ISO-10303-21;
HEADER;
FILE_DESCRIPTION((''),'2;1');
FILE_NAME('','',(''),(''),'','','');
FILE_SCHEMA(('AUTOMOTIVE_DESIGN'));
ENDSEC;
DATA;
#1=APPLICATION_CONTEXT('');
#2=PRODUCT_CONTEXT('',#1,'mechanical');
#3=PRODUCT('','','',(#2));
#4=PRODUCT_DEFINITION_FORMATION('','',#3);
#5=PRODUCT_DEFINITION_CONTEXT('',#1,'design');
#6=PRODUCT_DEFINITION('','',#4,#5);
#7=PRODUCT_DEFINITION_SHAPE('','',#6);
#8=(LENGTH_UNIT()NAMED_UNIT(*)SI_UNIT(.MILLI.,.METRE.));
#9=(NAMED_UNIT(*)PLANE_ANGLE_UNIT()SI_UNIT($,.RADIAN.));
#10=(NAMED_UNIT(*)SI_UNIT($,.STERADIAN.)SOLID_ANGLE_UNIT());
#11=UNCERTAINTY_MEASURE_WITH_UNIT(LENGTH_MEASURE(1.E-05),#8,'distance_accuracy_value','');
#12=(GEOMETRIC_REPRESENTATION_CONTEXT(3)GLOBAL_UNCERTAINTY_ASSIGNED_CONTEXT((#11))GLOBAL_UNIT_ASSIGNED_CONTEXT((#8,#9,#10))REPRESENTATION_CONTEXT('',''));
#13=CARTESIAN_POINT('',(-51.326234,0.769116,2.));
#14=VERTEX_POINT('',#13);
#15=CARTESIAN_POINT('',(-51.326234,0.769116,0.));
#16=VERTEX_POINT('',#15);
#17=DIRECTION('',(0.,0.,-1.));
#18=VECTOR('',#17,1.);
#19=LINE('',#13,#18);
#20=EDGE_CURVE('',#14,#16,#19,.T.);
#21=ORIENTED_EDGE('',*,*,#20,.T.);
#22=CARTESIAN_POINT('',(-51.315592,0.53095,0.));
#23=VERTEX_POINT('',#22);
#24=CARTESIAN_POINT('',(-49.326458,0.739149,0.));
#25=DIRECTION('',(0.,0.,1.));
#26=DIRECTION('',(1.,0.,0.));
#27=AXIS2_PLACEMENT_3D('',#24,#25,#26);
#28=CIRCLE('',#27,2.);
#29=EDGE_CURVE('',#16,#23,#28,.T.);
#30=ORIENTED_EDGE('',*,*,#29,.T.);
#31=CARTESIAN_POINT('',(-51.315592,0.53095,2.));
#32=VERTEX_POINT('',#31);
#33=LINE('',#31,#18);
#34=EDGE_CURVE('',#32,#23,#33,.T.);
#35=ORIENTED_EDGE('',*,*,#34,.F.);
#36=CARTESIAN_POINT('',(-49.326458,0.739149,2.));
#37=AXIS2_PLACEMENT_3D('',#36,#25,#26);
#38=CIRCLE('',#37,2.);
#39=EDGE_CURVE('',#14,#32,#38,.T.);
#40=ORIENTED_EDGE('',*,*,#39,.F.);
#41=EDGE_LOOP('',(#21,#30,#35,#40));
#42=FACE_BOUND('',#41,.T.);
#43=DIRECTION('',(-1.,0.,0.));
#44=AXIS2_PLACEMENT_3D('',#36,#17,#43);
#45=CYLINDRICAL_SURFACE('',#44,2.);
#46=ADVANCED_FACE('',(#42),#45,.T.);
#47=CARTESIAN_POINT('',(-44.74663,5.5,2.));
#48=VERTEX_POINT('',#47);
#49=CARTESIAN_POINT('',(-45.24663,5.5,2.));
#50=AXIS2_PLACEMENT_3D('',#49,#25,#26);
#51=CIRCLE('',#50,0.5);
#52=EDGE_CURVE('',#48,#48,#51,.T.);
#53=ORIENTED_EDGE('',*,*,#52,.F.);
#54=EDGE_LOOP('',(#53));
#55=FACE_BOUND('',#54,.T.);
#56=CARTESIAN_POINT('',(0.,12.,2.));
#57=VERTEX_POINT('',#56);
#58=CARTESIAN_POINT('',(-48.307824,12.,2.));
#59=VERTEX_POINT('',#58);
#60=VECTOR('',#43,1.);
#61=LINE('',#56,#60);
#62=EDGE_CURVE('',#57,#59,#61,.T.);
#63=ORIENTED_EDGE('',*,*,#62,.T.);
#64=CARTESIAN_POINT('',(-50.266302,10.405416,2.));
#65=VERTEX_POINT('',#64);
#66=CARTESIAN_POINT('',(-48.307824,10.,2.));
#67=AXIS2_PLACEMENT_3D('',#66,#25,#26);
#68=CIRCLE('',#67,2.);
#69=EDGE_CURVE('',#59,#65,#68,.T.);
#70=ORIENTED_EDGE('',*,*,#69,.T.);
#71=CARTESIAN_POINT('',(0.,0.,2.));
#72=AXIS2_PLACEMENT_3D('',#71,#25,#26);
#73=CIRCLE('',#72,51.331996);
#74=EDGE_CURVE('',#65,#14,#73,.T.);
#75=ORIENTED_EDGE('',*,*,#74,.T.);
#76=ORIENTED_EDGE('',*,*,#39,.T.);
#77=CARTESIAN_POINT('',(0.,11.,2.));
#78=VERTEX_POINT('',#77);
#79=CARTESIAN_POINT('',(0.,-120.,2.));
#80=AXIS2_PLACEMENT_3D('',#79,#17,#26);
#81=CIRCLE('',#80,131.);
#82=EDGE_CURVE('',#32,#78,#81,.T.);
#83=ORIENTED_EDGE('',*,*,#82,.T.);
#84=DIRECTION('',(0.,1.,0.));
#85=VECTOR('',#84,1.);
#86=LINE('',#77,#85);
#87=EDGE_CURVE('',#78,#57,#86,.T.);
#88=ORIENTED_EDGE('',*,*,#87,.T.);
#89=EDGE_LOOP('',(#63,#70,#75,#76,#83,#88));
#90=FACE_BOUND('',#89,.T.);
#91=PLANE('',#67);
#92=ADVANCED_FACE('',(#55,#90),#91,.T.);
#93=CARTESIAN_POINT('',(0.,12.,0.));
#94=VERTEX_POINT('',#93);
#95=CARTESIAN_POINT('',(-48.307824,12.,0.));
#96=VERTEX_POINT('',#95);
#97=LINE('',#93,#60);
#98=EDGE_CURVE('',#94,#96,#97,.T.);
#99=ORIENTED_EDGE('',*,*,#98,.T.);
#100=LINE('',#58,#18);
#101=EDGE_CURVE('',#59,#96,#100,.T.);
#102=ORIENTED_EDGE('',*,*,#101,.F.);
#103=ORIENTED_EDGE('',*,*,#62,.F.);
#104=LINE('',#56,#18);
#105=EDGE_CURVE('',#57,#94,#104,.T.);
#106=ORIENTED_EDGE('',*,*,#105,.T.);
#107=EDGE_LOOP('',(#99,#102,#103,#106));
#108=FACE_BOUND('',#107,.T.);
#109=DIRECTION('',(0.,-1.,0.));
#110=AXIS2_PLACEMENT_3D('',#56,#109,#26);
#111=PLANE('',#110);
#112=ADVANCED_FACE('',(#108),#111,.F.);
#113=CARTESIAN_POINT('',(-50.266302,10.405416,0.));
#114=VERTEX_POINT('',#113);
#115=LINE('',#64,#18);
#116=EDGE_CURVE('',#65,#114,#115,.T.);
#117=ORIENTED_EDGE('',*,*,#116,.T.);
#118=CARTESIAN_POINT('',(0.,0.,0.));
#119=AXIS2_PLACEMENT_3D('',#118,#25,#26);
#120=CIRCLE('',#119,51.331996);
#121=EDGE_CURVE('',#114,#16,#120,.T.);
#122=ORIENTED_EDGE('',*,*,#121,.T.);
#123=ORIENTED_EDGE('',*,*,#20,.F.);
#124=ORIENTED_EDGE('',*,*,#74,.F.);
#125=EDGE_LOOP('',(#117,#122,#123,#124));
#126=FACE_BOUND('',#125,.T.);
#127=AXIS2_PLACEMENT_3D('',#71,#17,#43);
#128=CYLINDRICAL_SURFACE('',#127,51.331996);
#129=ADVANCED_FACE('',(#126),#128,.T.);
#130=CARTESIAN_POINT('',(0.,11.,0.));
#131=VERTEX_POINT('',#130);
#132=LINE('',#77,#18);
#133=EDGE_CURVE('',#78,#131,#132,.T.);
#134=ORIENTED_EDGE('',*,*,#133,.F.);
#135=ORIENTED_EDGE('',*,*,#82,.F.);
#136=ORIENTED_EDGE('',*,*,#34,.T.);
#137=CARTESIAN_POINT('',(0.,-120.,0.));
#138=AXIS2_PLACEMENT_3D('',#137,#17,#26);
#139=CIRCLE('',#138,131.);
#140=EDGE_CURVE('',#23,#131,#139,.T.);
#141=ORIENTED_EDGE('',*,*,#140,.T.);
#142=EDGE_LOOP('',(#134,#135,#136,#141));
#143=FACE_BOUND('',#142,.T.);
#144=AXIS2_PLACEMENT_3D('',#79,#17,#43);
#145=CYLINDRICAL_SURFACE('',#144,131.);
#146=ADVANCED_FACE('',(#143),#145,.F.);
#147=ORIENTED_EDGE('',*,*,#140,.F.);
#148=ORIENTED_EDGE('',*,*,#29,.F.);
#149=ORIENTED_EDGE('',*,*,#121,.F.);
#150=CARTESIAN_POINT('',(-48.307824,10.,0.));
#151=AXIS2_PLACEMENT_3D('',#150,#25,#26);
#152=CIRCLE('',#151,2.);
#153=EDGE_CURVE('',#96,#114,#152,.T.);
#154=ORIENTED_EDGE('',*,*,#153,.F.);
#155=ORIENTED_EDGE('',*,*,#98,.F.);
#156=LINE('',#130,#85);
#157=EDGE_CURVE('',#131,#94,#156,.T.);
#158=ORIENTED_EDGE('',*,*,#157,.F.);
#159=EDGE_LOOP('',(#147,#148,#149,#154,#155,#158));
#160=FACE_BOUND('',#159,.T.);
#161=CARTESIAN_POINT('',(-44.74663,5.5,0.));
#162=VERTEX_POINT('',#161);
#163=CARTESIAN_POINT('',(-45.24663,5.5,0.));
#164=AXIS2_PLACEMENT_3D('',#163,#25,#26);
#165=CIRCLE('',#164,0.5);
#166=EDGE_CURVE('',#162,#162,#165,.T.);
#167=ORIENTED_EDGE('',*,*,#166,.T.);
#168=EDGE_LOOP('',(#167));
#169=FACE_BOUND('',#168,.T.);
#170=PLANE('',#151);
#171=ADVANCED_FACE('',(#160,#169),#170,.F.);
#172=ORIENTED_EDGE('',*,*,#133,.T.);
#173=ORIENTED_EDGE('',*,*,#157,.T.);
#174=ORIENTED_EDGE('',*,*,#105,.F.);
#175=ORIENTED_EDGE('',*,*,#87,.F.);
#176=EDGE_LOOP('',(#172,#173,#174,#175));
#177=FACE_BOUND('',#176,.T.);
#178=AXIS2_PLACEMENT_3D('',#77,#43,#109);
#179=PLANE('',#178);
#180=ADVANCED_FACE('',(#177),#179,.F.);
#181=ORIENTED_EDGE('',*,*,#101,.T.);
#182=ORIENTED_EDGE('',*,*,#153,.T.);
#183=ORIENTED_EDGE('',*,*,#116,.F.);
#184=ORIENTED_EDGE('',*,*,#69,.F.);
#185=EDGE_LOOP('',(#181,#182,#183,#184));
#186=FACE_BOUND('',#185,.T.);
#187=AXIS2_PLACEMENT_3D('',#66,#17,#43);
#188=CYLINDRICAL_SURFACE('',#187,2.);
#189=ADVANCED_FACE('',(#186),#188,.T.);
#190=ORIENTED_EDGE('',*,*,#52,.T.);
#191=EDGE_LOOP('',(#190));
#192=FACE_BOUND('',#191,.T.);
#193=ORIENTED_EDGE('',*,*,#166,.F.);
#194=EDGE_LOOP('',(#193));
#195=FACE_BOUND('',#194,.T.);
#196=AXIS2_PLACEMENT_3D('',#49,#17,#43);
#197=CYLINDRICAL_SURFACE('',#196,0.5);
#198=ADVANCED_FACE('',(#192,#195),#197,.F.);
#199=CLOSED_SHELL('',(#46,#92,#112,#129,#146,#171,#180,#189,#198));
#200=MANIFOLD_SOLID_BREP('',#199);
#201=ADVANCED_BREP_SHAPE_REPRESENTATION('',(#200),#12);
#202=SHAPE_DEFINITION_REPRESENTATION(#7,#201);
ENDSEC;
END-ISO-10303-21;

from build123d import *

# Parameters (mm, degrees)
SKICA1_R                = 0.5
P_IDAT_VYSUNUT_M1_DEPTH = 2


with BuildPart() as part:
    # Skica1 → Přidat vysunutím1 (new body)
    with BuildSketch(Plane.XY):
        with BuildLine():
            Line((0, 11), (0, 12))
            Line((0, 12), (-48.307823831, 12))
            ThreePointArc((-48.307823831, 12), (-49.570592062, 11.550940487), (-50.266302206, 10.405416394))
            ThreePointArc((-50.266302206, 10.405416394), (-51.024263074, 5.612344033), (-51.326233925, 0.769115673))
            ThreePointArc((-51.326233925, 0.769115673), (-51.324464931, 0.649874315), (-51.31559221, 0.530950366))
            ThreePointArc((-51.31559221, 0.530950366), (-26.186308465, 8.356056534), (0, 11))
        make_face()
        with Locations((-45.246630015, 5.5)):
            Circle(SKICA1_R, mode=Mode.SUBTRACT)
    extrude(amount=P_IDAT_VYSUNUT_M1_DEPTH)


solid = part.part
